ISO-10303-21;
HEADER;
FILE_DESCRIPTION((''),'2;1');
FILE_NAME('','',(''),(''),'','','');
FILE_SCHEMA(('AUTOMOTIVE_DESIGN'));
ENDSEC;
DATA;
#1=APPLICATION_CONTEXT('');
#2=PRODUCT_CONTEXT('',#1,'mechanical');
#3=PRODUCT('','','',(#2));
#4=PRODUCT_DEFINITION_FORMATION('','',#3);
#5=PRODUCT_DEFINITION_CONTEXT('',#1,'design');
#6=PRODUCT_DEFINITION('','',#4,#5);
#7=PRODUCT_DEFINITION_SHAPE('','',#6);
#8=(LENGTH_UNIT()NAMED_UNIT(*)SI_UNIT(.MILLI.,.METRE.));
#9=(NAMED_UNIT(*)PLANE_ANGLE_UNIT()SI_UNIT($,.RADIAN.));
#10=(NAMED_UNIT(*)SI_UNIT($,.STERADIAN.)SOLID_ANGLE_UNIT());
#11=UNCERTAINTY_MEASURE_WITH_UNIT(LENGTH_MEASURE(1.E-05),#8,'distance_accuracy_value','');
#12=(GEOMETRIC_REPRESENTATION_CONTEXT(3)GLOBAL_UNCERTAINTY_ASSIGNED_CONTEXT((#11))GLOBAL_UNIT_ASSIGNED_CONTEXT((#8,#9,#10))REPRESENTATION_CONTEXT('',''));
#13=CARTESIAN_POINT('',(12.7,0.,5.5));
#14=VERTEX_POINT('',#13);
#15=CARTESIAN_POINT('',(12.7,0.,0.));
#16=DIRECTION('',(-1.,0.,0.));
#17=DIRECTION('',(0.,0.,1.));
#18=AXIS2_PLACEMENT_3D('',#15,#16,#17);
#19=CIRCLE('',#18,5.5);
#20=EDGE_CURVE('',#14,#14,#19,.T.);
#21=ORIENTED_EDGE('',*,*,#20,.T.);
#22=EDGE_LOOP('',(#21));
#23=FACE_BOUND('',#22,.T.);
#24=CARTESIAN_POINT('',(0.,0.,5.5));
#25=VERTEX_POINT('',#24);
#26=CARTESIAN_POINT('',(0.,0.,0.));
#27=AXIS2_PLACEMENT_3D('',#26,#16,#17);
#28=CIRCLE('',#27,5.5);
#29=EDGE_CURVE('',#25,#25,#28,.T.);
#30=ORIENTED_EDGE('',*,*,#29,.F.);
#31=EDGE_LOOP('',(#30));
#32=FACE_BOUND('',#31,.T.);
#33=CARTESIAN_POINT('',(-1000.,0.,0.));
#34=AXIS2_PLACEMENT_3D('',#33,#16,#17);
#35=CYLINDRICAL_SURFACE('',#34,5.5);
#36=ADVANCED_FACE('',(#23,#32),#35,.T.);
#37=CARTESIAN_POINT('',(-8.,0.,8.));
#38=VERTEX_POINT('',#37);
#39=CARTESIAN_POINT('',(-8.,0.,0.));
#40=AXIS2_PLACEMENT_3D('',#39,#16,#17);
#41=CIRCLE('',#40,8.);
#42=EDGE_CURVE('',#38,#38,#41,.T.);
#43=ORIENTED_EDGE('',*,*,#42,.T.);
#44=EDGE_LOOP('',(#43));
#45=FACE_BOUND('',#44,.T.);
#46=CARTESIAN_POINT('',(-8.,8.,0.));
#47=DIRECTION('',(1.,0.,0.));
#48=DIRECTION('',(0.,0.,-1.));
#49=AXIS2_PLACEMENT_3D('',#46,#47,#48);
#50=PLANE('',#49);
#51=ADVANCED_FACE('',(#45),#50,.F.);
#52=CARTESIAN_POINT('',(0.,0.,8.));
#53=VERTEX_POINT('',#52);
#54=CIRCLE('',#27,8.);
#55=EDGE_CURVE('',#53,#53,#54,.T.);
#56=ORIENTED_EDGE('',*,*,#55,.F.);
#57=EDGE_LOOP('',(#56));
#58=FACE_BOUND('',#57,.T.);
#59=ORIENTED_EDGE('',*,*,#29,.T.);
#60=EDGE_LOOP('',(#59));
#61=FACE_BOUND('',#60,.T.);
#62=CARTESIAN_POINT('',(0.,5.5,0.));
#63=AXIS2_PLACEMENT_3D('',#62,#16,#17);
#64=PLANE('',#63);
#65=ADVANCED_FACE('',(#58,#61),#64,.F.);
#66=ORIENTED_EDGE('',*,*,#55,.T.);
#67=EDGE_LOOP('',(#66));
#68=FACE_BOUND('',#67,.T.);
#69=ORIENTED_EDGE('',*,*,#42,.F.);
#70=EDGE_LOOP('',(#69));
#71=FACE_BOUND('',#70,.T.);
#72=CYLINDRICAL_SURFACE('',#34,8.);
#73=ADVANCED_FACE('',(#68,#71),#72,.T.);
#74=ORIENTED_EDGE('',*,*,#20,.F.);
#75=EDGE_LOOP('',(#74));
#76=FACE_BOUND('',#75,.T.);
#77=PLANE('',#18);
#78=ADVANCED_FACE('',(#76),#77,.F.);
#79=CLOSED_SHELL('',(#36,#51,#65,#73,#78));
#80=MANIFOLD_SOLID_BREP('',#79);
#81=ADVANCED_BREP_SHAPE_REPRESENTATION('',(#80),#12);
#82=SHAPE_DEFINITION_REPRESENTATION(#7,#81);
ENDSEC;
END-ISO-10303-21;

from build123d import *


with BuildPart() as part:
    # Burst_Disc Sketch → Burst_Disc (revolve)
    with BuildSketch(Plane.XY):
        Polygon((12.7, 0), (12.7, 5.5), (0, 5.5), (0, 8), (-8, 8), (-8, 0), align=None)
    revolve(axis=Axis((-1000, 0, 0), (1, 0, 0)))


solid = part.part
